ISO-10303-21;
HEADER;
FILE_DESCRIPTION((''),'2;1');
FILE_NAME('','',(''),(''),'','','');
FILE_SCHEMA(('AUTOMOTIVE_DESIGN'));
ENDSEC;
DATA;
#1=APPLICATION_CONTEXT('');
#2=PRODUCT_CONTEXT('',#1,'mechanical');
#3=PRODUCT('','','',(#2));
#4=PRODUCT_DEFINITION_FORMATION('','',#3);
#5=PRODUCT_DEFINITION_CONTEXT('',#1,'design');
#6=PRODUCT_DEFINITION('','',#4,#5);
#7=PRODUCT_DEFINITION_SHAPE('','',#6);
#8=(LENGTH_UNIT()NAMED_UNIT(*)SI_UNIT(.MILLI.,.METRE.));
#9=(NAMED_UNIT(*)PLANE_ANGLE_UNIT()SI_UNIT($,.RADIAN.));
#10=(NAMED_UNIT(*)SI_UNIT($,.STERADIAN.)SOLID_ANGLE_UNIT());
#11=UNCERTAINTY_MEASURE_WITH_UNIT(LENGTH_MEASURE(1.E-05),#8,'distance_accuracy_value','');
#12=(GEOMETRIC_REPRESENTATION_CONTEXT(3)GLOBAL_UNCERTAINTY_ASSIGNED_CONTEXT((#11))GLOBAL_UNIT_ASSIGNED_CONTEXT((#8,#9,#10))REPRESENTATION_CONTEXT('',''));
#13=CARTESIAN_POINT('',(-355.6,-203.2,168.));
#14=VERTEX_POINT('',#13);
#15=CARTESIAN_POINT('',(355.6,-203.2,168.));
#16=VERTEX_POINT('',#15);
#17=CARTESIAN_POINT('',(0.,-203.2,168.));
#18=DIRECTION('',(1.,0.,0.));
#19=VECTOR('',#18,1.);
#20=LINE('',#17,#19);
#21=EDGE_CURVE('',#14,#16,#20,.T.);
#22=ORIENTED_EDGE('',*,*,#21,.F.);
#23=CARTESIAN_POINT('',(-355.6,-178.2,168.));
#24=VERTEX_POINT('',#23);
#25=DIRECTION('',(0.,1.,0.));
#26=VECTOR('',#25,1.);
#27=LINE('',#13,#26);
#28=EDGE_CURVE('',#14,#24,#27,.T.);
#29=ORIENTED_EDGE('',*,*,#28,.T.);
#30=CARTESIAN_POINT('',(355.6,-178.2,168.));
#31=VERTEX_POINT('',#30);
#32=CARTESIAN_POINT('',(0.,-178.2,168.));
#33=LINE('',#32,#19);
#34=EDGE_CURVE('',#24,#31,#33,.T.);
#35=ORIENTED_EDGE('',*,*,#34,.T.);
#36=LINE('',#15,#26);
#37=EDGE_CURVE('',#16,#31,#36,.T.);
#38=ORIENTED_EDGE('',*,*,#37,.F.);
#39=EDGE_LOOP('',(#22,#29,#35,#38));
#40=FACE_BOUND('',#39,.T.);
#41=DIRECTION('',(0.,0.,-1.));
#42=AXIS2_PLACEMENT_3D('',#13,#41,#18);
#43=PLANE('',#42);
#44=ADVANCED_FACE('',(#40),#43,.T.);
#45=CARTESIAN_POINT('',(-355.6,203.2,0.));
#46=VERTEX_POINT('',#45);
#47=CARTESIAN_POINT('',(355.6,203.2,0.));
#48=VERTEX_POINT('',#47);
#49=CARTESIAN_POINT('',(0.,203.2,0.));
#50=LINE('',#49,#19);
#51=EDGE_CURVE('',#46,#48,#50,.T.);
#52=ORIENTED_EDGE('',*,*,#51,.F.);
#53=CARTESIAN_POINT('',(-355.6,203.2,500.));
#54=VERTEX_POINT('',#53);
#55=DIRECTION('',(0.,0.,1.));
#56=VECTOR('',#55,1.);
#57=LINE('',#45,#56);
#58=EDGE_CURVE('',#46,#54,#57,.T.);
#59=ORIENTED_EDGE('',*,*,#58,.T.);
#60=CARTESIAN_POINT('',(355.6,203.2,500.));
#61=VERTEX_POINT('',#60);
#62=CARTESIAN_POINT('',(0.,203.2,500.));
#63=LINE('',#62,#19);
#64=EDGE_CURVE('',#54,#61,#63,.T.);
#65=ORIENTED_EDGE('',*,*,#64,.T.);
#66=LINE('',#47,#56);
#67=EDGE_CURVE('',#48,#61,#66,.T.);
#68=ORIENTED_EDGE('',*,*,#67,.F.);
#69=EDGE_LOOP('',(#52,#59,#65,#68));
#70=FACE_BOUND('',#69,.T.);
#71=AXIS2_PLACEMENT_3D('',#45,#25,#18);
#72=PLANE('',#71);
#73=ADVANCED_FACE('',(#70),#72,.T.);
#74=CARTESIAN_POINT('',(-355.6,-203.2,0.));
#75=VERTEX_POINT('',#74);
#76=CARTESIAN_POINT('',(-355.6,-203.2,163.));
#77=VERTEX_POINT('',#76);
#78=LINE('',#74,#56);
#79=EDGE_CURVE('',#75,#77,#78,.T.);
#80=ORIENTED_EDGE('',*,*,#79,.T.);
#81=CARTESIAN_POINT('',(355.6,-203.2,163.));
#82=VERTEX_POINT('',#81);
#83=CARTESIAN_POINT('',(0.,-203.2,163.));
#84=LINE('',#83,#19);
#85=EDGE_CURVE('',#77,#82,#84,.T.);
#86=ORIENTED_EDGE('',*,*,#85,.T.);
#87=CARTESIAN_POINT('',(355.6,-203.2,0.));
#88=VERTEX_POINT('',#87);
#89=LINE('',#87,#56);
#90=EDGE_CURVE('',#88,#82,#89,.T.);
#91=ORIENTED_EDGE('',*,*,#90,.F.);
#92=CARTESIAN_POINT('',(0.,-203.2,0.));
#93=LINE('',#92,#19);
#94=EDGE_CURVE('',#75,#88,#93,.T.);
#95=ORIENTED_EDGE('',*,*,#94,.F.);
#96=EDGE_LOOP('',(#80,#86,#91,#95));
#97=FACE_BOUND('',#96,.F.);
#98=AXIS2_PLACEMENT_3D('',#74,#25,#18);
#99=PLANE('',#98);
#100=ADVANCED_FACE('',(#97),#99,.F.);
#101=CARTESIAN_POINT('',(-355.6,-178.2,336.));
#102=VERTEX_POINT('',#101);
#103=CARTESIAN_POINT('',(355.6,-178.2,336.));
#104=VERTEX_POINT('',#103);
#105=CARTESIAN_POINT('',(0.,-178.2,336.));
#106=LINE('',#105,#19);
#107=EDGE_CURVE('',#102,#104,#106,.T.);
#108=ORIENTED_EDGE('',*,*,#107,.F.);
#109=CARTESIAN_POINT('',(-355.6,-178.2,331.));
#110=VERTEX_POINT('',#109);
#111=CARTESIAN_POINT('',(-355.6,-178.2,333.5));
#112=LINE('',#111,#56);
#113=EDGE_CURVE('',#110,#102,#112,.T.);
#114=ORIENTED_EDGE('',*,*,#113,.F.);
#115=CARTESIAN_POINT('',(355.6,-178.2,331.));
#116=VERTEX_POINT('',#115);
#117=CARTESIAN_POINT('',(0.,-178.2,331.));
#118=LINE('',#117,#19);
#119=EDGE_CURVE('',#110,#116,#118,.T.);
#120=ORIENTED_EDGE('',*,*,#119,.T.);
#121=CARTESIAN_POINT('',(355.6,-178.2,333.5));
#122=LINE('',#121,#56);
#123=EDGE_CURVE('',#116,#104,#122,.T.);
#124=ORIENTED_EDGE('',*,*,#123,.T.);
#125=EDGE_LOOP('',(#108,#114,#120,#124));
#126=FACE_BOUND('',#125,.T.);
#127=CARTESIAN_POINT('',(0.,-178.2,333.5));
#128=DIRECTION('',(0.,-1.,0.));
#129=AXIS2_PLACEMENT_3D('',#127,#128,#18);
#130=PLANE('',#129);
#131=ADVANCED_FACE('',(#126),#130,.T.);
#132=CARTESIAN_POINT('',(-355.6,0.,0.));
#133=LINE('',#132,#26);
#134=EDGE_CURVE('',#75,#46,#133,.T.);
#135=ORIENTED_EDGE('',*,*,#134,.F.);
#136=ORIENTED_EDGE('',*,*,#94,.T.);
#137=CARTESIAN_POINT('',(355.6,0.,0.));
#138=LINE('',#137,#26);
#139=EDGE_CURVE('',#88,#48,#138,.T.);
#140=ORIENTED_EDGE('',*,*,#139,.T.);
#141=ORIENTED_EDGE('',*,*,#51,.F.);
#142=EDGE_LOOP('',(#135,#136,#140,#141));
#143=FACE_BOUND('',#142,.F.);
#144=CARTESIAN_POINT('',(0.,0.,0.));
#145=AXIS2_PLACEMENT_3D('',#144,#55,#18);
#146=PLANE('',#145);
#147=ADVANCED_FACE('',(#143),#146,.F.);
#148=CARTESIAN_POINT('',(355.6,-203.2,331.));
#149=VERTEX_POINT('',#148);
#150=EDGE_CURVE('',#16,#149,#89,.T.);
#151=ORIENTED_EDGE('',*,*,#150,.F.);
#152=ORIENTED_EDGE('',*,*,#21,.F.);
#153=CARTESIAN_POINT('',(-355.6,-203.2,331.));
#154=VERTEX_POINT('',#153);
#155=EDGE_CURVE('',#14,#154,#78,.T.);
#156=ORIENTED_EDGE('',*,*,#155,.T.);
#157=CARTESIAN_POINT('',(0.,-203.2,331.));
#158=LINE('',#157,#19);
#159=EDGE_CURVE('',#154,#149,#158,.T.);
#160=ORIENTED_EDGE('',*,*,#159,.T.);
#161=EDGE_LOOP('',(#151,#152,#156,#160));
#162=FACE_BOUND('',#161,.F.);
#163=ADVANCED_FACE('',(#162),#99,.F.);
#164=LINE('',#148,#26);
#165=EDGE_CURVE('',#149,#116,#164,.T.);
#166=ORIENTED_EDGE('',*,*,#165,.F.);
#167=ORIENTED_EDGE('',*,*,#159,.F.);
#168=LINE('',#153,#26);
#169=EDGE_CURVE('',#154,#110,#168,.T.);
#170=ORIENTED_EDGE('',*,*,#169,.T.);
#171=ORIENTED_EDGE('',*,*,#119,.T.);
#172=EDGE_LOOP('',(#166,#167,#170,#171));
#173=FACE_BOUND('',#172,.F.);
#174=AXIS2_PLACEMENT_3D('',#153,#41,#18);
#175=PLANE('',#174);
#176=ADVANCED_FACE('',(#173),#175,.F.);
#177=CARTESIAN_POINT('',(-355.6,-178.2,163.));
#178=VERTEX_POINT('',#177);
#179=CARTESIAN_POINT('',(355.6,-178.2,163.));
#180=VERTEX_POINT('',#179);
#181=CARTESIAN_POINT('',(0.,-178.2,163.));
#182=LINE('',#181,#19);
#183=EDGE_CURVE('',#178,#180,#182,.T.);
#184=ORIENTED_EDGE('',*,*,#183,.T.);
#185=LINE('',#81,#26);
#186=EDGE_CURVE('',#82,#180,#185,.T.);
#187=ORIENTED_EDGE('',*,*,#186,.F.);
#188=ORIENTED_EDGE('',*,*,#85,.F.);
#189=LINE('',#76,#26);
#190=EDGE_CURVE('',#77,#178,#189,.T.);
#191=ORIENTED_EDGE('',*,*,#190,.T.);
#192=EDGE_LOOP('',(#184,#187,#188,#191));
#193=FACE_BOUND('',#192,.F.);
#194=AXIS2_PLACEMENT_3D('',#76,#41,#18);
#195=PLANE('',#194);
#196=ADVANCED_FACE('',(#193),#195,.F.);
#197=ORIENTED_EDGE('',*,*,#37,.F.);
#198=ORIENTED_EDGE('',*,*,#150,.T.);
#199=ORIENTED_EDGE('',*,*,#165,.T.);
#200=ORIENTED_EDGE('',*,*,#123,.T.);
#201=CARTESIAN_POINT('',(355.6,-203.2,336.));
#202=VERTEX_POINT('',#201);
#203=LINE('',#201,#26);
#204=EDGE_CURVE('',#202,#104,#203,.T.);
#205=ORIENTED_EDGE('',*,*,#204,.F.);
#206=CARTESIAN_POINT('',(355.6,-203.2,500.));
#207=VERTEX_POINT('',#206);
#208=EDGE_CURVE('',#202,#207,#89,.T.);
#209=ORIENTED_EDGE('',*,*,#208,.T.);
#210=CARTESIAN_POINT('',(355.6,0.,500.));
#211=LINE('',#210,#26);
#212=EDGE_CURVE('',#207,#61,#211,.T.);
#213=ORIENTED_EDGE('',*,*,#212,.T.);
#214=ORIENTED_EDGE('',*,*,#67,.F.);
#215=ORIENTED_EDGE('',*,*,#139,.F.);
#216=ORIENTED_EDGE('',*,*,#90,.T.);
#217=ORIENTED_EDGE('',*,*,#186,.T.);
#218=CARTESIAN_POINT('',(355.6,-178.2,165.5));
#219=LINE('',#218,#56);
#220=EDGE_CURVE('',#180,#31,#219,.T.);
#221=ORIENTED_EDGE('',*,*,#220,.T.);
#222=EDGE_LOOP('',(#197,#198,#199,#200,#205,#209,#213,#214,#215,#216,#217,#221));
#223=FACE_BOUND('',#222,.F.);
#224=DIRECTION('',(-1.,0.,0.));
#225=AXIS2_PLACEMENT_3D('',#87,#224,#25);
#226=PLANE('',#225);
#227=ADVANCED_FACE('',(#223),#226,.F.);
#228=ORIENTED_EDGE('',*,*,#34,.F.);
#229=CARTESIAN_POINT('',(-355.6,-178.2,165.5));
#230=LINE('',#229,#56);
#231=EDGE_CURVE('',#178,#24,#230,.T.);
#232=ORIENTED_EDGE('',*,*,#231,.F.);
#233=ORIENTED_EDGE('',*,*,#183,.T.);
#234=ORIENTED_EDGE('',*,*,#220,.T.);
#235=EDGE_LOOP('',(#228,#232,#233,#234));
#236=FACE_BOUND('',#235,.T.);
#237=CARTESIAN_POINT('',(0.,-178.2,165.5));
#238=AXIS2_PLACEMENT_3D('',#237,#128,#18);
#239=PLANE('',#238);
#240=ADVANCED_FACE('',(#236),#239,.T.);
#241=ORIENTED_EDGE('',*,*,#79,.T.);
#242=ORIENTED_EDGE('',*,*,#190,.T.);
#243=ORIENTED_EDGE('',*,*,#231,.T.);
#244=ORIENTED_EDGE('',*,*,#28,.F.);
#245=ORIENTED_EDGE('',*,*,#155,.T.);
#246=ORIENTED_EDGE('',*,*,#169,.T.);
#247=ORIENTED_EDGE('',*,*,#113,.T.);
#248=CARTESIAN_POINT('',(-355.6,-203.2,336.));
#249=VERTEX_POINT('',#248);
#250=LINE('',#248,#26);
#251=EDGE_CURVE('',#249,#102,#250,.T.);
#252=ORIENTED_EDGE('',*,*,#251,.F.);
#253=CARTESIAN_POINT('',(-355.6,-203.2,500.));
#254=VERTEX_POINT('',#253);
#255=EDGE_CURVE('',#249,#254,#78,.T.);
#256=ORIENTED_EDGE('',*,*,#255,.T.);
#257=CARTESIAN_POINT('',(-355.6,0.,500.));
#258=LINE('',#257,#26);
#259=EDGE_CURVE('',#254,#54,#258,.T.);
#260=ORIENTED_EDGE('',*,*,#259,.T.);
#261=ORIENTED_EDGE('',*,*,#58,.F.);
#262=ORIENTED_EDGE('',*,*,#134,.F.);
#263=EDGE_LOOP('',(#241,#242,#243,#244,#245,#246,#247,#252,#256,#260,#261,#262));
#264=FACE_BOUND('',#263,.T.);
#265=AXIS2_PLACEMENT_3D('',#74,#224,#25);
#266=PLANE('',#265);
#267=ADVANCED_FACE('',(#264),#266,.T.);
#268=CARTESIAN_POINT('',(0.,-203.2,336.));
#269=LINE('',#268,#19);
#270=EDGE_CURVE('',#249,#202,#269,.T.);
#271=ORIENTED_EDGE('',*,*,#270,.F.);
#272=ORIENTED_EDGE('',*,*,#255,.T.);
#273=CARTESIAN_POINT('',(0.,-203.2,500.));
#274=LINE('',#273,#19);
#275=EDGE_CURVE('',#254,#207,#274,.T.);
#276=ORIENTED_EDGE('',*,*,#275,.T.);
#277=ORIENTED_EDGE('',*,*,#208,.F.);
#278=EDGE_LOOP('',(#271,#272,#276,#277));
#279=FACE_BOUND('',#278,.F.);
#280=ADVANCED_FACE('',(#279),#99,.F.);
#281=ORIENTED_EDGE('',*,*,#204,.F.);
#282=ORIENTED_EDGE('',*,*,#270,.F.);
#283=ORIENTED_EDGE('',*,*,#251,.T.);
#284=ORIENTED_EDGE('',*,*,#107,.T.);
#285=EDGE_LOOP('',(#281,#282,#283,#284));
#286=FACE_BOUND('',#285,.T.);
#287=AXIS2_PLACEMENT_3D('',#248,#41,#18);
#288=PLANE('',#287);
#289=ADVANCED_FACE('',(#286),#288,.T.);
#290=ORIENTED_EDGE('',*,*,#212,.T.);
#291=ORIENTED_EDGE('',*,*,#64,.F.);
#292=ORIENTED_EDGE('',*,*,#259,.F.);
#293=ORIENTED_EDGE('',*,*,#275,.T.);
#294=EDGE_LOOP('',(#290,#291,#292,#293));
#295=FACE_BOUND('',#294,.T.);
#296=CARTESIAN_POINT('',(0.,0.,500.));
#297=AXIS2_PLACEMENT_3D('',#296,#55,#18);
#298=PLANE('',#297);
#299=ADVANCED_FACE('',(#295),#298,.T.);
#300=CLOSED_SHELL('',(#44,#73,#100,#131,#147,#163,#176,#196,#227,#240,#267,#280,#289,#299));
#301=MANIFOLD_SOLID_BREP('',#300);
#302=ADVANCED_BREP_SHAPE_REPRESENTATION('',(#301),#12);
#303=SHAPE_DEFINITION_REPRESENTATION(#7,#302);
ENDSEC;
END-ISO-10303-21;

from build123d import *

# Parameters (mm, degrees)
F0_W     = 711.2
F0_H     = 406.4
F1_DEPTH = 500
F2_W     = 711.2
F2_H     = 5
F3_DEPTH = 25


with BuildPart() as f1:
    # F0 (on Top) → F1 (new body)
    with BuildSketch(Plane.XY):
        Rectangle(F0_W, F0_H)
    extrude(amount=F1_DEPTH)

    # F2 (on face) → F3 (cut)
    with BuildSketch(Plane.XZ.offset(203.2)):
        with Locations((0, 333.5)):
            Rectangle(F2_W, F2_H)
        with Locations((0, 165.5)):
            Rectangle(F2_W, F2_H)
    extrude(amount=-F3_DEPTH, mode=Mode.SUBTRACT)


solid = f1.part
